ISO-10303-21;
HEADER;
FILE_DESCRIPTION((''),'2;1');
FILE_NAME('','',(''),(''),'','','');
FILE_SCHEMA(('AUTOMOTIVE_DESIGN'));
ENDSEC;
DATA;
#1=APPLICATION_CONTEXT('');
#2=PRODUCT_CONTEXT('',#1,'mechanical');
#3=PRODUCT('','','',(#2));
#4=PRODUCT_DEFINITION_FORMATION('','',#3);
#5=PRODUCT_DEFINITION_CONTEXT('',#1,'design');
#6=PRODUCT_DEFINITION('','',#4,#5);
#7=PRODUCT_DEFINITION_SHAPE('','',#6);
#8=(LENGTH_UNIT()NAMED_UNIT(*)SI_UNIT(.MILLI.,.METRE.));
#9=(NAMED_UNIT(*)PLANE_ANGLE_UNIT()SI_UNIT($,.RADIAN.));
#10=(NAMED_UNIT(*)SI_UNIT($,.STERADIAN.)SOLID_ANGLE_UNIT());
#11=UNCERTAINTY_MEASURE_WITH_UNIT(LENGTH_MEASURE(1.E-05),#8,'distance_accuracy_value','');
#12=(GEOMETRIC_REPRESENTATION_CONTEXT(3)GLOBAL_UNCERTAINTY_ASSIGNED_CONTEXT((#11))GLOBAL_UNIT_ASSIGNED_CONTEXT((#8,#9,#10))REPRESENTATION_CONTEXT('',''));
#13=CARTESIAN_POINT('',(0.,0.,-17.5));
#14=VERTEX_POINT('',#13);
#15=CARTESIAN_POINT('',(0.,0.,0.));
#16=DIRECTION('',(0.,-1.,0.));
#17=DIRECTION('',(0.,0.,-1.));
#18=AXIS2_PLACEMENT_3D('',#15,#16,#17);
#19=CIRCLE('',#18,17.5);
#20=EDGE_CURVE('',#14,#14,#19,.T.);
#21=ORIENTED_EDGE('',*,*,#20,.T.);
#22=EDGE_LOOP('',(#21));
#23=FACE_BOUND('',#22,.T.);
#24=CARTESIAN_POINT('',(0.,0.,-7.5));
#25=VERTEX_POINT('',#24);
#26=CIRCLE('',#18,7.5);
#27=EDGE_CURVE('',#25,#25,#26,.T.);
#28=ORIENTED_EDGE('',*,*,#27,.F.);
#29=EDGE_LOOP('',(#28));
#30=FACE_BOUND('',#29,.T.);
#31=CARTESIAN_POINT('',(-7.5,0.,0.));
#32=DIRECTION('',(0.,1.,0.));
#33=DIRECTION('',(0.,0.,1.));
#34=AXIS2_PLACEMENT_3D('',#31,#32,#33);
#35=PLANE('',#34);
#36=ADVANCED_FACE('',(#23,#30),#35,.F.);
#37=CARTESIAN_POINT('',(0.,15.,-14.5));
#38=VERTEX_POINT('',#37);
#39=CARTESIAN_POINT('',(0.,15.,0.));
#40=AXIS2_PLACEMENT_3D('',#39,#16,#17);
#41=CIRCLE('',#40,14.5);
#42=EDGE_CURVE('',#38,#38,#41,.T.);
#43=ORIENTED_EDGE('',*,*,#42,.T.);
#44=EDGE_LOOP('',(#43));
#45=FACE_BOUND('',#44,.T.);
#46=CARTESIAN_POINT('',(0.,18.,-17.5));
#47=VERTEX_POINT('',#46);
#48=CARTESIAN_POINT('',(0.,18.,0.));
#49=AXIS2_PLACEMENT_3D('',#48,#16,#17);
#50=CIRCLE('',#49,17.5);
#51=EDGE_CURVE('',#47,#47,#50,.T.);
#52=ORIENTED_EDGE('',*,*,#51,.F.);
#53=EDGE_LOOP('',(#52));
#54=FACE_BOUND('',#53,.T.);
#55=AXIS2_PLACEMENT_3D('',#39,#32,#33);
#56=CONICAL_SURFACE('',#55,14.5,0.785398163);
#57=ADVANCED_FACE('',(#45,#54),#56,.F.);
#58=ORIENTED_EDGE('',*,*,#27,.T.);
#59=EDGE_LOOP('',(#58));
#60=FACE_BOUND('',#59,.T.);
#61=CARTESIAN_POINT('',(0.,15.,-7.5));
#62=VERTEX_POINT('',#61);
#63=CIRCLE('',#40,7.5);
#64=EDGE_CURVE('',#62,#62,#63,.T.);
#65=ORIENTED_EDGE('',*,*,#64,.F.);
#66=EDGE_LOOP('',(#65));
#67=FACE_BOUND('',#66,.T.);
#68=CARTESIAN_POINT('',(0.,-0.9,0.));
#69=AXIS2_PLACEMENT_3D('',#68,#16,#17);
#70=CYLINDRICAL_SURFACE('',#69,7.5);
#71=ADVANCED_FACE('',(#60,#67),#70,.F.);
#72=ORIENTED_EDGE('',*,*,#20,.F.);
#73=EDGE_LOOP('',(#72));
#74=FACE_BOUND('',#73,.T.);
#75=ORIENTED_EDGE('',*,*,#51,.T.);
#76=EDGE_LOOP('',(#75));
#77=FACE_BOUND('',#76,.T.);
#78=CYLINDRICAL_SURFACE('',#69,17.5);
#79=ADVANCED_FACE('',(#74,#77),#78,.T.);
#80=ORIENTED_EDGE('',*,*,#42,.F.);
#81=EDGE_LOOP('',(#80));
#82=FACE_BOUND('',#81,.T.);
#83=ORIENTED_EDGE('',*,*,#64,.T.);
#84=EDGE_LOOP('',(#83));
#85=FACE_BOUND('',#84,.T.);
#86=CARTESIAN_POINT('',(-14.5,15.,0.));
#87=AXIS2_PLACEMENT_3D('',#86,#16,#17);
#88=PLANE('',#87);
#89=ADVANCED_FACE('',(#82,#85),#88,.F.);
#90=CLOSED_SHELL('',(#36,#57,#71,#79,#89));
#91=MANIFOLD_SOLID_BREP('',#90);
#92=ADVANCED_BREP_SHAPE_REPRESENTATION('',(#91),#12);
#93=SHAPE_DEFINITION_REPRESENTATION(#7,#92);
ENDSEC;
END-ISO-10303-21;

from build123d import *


with BuildPart() as part:
    # Sketch1 → Revolve1 (revolve)
    with BuildSketch(Plane.XY, mode=Mode.PRIVATE) as revolve1_sk:
        Polygon((-7.5, 0), (-17.5, 0), (-17.5, 18), (-14.5, 15), (-7.5, 15), align=None)
    revolve(revolve1_sk.sketch.rotate(Axis((0, -0.9, 0), (0, 1, 0)), 270), axis=Axis((0, -0.9, 0), (0, 1, 0)))


solid = part.part
